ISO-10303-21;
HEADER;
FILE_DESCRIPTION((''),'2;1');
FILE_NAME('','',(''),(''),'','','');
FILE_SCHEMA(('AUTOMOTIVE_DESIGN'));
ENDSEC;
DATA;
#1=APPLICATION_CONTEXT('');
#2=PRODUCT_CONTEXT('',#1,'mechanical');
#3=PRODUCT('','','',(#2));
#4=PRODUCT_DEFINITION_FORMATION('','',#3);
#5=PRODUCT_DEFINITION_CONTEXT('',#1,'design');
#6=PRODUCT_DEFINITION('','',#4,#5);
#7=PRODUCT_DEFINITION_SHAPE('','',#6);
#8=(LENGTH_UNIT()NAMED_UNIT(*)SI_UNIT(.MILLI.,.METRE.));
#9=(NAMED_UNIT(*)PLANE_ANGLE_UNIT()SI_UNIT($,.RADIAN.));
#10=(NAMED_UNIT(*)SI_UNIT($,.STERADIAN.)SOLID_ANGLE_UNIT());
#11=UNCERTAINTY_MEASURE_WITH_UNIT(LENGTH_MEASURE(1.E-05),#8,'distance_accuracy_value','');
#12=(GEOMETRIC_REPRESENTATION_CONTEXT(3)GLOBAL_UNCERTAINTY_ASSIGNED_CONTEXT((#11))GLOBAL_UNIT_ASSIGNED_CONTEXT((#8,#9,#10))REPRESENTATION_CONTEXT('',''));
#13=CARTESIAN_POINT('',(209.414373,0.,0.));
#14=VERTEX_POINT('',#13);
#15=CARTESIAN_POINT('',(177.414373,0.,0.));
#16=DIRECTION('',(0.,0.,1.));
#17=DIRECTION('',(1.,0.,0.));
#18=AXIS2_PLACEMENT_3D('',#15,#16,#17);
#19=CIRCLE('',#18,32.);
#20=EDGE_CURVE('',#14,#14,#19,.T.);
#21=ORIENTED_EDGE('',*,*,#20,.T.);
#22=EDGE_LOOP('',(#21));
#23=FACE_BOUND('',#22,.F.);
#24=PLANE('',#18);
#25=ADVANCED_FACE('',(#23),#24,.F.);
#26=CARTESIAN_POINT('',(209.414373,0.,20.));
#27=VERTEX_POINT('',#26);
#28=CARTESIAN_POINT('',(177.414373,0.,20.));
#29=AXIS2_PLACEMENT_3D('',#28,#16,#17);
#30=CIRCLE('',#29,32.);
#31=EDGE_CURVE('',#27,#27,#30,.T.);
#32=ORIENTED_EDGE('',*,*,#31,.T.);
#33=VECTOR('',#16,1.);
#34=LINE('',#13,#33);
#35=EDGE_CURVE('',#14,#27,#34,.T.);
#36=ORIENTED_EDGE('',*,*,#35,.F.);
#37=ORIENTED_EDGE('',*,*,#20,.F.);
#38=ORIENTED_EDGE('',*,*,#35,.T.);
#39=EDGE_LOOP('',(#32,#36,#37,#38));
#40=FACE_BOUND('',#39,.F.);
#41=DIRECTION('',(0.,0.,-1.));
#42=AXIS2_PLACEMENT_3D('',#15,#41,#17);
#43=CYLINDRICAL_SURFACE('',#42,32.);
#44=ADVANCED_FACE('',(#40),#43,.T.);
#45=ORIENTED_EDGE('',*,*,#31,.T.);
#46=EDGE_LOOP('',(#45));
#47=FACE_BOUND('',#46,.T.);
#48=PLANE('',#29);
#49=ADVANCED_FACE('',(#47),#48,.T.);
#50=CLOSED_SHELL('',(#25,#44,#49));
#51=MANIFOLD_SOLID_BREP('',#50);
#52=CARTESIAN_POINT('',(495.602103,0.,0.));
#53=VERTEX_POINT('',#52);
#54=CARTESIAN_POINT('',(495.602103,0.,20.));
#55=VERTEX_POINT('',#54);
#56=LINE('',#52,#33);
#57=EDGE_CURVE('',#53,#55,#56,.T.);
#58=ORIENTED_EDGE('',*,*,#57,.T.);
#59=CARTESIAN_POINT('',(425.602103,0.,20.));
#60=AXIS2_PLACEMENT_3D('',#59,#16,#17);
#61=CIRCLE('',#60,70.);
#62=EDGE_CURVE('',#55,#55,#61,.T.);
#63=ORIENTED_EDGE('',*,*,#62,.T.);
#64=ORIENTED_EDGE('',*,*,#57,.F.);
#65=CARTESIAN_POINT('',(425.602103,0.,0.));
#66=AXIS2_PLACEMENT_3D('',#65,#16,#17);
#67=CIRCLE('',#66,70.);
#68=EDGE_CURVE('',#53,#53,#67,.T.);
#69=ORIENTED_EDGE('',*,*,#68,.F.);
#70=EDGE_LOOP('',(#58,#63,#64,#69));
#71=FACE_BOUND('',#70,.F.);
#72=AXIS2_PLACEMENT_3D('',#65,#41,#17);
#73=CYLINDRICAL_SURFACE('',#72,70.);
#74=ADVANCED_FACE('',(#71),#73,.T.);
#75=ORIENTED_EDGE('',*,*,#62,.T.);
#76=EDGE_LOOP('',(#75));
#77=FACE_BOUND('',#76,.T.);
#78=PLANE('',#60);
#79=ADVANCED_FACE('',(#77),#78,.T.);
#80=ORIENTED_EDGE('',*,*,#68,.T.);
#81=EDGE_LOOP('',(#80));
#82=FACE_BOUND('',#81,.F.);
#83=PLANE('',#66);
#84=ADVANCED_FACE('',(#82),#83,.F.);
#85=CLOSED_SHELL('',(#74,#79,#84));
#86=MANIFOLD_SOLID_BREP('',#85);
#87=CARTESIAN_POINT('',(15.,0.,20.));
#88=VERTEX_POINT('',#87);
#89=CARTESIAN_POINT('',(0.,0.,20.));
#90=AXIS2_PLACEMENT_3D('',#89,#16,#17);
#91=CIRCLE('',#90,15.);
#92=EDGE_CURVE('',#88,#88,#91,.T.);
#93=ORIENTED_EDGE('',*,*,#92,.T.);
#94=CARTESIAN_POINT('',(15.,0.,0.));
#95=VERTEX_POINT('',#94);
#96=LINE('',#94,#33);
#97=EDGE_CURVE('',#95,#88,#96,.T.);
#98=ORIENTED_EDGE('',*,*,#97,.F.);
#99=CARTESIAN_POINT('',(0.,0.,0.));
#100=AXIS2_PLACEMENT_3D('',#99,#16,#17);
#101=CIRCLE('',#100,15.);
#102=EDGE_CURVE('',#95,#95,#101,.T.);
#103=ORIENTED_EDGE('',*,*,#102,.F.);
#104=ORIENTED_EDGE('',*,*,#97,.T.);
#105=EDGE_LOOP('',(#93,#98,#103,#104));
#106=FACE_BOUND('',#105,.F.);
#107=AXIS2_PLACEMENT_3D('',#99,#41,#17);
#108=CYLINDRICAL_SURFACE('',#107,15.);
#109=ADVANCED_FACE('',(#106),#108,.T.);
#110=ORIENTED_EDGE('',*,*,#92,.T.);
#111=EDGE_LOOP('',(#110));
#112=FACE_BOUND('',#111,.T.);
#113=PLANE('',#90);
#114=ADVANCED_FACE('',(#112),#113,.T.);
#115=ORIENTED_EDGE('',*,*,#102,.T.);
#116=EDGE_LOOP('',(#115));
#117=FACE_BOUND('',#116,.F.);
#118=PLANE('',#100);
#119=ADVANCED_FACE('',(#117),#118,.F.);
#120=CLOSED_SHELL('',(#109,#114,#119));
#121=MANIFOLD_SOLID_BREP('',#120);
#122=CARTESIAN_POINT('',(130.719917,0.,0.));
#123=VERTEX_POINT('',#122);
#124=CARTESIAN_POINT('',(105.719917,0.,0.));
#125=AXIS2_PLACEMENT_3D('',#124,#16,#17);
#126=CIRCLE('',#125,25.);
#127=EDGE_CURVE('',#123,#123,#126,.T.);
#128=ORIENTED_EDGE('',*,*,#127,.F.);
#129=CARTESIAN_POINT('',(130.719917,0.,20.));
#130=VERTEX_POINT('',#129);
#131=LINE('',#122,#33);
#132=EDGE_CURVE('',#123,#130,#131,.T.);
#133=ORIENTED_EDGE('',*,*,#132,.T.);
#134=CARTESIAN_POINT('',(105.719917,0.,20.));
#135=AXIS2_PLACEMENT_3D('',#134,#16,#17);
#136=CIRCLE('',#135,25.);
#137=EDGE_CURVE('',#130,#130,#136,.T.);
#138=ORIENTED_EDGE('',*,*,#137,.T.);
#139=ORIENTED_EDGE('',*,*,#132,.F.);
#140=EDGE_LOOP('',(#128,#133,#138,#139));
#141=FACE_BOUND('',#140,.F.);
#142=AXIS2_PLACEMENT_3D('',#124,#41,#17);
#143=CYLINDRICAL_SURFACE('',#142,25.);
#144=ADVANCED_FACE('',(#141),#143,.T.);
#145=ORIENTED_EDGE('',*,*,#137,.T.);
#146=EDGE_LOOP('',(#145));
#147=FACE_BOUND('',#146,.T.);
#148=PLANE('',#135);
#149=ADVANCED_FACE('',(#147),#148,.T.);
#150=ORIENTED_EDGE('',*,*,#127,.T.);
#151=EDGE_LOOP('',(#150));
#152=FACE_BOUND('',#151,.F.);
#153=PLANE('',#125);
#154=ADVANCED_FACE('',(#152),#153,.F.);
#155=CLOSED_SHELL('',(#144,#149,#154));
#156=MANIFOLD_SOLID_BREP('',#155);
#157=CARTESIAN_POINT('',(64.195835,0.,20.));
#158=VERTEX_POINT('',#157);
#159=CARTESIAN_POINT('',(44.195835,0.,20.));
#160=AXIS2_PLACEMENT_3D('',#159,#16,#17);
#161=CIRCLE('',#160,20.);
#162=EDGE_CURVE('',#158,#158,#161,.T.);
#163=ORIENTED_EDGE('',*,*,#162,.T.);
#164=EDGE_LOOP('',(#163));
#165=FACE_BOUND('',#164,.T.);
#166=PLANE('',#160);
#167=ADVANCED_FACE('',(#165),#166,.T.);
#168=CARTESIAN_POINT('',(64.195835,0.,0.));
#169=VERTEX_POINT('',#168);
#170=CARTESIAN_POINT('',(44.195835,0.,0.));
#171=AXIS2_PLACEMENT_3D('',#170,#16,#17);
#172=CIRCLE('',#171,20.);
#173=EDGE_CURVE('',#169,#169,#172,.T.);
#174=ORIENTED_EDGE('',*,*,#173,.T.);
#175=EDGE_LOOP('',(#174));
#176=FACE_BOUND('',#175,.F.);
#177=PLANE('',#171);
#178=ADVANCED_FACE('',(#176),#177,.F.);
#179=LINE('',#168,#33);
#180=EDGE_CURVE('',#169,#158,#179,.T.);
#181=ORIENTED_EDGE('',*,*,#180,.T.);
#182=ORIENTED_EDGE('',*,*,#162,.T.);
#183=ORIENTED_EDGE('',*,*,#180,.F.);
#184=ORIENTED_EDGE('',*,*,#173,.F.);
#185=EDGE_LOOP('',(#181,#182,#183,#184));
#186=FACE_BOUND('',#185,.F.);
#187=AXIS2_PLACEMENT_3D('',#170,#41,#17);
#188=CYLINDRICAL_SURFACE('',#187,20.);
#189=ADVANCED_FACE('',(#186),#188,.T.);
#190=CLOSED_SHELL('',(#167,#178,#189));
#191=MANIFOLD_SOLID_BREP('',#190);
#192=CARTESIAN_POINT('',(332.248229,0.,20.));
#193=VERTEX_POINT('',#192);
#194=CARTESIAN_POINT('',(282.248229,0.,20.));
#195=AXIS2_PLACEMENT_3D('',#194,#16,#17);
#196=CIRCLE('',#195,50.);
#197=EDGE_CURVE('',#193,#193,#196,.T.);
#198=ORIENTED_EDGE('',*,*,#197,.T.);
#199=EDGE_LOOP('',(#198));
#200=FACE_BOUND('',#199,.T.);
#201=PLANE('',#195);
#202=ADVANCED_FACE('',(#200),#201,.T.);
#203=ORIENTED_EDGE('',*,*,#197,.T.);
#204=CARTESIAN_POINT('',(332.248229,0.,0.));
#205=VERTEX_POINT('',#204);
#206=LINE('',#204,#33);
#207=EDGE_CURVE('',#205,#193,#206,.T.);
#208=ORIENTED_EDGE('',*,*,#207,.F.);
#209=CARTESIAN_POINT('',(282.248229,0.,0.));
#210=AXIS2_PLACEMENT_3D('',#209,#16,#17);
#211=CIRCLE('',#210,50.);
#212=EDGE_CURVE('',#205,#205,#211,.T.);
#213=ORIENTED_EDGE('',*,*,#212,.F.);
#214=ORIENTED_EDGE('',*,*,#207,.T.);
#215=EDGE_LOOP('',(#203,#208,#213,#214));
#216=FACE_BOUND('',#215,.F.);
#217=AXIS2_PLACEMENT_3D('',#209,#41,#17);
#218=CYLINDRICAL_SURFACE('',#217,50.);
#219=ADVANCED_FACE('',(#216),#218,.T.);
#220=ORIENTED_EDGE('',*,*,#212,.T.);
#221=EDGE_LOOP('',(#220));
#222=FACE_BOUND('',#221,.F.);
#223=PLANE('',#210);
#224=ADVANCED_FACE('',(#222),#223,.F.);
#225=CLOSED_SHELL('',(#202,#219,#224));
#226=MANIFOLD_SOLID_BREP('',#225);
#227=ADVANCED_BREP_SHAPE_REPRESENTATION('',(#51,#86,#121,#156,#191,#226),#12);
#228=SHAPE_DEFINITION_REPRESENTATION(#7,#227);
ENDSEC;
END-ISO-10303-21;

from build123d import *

# Parameters (mm, degrees)
F0_R      = 15
F1_DEPTH  = 20
F2_R      = 20
F3_DEPTH  = 20
F4_R      = 25
F5_DEPTH  = 20
F6_R      = 32
F7_DEPTH  = 20
F8_R      = 50
F9_DEPTH  = 20
F10_R     = 70
F11_DEPTH = 20


with BuildPart() as f1:
    # F0 (on Top) → F1 (new body)
    with BuildSketch(Plane.XY):
        Circle(F0_R)
    extrude(amount=F1_DEPTH)


with BuildPart() as f3:
    # F2 (on Top) → F3 (new body)
    with BuildSketch(Plane.XY):
        with Locations((44.195835, 0)):
            Circle(F2_R)
    extrude(amount=F3_DEPTH)


with BuildPart() as f5:
    # F4 (on Top) → F5 (new body)
    with BuildSketch(Plane.XY):
        with Locations((105.719917, 0)):
            Circle(F4_R)
    extrude(amount=F5_DEPTH)


with BuildPart() as f7:
    # F6 (on Top) → F7 (new body)
    with BuildSketch(Plane.XY):
        with Locations((177.414373, 0)):
            Circle(F6_R)
    extrude(amount=F7_DEPTH)


with BuildPart() as f9:
    # F8 (on Top) → F9 (new body)
    with BuildSketch(Plane.XY):
        with Locations((282.248229, 0)):
            Circle(F8_R)
    extrude(amount=F9_DEPTH)


with BuildPart() as f11:
    # F10 (on Top) → F11 (new body)
    with BuildSketch(Plane.XY):
        with Locations((425.602103, 0)):
            Circle(F10_R)
    extrude(amount=F11_DEPTH)


solid = Compound([f1.part, f3.part, f5.part, f7.part, f9.part, f11.part])
